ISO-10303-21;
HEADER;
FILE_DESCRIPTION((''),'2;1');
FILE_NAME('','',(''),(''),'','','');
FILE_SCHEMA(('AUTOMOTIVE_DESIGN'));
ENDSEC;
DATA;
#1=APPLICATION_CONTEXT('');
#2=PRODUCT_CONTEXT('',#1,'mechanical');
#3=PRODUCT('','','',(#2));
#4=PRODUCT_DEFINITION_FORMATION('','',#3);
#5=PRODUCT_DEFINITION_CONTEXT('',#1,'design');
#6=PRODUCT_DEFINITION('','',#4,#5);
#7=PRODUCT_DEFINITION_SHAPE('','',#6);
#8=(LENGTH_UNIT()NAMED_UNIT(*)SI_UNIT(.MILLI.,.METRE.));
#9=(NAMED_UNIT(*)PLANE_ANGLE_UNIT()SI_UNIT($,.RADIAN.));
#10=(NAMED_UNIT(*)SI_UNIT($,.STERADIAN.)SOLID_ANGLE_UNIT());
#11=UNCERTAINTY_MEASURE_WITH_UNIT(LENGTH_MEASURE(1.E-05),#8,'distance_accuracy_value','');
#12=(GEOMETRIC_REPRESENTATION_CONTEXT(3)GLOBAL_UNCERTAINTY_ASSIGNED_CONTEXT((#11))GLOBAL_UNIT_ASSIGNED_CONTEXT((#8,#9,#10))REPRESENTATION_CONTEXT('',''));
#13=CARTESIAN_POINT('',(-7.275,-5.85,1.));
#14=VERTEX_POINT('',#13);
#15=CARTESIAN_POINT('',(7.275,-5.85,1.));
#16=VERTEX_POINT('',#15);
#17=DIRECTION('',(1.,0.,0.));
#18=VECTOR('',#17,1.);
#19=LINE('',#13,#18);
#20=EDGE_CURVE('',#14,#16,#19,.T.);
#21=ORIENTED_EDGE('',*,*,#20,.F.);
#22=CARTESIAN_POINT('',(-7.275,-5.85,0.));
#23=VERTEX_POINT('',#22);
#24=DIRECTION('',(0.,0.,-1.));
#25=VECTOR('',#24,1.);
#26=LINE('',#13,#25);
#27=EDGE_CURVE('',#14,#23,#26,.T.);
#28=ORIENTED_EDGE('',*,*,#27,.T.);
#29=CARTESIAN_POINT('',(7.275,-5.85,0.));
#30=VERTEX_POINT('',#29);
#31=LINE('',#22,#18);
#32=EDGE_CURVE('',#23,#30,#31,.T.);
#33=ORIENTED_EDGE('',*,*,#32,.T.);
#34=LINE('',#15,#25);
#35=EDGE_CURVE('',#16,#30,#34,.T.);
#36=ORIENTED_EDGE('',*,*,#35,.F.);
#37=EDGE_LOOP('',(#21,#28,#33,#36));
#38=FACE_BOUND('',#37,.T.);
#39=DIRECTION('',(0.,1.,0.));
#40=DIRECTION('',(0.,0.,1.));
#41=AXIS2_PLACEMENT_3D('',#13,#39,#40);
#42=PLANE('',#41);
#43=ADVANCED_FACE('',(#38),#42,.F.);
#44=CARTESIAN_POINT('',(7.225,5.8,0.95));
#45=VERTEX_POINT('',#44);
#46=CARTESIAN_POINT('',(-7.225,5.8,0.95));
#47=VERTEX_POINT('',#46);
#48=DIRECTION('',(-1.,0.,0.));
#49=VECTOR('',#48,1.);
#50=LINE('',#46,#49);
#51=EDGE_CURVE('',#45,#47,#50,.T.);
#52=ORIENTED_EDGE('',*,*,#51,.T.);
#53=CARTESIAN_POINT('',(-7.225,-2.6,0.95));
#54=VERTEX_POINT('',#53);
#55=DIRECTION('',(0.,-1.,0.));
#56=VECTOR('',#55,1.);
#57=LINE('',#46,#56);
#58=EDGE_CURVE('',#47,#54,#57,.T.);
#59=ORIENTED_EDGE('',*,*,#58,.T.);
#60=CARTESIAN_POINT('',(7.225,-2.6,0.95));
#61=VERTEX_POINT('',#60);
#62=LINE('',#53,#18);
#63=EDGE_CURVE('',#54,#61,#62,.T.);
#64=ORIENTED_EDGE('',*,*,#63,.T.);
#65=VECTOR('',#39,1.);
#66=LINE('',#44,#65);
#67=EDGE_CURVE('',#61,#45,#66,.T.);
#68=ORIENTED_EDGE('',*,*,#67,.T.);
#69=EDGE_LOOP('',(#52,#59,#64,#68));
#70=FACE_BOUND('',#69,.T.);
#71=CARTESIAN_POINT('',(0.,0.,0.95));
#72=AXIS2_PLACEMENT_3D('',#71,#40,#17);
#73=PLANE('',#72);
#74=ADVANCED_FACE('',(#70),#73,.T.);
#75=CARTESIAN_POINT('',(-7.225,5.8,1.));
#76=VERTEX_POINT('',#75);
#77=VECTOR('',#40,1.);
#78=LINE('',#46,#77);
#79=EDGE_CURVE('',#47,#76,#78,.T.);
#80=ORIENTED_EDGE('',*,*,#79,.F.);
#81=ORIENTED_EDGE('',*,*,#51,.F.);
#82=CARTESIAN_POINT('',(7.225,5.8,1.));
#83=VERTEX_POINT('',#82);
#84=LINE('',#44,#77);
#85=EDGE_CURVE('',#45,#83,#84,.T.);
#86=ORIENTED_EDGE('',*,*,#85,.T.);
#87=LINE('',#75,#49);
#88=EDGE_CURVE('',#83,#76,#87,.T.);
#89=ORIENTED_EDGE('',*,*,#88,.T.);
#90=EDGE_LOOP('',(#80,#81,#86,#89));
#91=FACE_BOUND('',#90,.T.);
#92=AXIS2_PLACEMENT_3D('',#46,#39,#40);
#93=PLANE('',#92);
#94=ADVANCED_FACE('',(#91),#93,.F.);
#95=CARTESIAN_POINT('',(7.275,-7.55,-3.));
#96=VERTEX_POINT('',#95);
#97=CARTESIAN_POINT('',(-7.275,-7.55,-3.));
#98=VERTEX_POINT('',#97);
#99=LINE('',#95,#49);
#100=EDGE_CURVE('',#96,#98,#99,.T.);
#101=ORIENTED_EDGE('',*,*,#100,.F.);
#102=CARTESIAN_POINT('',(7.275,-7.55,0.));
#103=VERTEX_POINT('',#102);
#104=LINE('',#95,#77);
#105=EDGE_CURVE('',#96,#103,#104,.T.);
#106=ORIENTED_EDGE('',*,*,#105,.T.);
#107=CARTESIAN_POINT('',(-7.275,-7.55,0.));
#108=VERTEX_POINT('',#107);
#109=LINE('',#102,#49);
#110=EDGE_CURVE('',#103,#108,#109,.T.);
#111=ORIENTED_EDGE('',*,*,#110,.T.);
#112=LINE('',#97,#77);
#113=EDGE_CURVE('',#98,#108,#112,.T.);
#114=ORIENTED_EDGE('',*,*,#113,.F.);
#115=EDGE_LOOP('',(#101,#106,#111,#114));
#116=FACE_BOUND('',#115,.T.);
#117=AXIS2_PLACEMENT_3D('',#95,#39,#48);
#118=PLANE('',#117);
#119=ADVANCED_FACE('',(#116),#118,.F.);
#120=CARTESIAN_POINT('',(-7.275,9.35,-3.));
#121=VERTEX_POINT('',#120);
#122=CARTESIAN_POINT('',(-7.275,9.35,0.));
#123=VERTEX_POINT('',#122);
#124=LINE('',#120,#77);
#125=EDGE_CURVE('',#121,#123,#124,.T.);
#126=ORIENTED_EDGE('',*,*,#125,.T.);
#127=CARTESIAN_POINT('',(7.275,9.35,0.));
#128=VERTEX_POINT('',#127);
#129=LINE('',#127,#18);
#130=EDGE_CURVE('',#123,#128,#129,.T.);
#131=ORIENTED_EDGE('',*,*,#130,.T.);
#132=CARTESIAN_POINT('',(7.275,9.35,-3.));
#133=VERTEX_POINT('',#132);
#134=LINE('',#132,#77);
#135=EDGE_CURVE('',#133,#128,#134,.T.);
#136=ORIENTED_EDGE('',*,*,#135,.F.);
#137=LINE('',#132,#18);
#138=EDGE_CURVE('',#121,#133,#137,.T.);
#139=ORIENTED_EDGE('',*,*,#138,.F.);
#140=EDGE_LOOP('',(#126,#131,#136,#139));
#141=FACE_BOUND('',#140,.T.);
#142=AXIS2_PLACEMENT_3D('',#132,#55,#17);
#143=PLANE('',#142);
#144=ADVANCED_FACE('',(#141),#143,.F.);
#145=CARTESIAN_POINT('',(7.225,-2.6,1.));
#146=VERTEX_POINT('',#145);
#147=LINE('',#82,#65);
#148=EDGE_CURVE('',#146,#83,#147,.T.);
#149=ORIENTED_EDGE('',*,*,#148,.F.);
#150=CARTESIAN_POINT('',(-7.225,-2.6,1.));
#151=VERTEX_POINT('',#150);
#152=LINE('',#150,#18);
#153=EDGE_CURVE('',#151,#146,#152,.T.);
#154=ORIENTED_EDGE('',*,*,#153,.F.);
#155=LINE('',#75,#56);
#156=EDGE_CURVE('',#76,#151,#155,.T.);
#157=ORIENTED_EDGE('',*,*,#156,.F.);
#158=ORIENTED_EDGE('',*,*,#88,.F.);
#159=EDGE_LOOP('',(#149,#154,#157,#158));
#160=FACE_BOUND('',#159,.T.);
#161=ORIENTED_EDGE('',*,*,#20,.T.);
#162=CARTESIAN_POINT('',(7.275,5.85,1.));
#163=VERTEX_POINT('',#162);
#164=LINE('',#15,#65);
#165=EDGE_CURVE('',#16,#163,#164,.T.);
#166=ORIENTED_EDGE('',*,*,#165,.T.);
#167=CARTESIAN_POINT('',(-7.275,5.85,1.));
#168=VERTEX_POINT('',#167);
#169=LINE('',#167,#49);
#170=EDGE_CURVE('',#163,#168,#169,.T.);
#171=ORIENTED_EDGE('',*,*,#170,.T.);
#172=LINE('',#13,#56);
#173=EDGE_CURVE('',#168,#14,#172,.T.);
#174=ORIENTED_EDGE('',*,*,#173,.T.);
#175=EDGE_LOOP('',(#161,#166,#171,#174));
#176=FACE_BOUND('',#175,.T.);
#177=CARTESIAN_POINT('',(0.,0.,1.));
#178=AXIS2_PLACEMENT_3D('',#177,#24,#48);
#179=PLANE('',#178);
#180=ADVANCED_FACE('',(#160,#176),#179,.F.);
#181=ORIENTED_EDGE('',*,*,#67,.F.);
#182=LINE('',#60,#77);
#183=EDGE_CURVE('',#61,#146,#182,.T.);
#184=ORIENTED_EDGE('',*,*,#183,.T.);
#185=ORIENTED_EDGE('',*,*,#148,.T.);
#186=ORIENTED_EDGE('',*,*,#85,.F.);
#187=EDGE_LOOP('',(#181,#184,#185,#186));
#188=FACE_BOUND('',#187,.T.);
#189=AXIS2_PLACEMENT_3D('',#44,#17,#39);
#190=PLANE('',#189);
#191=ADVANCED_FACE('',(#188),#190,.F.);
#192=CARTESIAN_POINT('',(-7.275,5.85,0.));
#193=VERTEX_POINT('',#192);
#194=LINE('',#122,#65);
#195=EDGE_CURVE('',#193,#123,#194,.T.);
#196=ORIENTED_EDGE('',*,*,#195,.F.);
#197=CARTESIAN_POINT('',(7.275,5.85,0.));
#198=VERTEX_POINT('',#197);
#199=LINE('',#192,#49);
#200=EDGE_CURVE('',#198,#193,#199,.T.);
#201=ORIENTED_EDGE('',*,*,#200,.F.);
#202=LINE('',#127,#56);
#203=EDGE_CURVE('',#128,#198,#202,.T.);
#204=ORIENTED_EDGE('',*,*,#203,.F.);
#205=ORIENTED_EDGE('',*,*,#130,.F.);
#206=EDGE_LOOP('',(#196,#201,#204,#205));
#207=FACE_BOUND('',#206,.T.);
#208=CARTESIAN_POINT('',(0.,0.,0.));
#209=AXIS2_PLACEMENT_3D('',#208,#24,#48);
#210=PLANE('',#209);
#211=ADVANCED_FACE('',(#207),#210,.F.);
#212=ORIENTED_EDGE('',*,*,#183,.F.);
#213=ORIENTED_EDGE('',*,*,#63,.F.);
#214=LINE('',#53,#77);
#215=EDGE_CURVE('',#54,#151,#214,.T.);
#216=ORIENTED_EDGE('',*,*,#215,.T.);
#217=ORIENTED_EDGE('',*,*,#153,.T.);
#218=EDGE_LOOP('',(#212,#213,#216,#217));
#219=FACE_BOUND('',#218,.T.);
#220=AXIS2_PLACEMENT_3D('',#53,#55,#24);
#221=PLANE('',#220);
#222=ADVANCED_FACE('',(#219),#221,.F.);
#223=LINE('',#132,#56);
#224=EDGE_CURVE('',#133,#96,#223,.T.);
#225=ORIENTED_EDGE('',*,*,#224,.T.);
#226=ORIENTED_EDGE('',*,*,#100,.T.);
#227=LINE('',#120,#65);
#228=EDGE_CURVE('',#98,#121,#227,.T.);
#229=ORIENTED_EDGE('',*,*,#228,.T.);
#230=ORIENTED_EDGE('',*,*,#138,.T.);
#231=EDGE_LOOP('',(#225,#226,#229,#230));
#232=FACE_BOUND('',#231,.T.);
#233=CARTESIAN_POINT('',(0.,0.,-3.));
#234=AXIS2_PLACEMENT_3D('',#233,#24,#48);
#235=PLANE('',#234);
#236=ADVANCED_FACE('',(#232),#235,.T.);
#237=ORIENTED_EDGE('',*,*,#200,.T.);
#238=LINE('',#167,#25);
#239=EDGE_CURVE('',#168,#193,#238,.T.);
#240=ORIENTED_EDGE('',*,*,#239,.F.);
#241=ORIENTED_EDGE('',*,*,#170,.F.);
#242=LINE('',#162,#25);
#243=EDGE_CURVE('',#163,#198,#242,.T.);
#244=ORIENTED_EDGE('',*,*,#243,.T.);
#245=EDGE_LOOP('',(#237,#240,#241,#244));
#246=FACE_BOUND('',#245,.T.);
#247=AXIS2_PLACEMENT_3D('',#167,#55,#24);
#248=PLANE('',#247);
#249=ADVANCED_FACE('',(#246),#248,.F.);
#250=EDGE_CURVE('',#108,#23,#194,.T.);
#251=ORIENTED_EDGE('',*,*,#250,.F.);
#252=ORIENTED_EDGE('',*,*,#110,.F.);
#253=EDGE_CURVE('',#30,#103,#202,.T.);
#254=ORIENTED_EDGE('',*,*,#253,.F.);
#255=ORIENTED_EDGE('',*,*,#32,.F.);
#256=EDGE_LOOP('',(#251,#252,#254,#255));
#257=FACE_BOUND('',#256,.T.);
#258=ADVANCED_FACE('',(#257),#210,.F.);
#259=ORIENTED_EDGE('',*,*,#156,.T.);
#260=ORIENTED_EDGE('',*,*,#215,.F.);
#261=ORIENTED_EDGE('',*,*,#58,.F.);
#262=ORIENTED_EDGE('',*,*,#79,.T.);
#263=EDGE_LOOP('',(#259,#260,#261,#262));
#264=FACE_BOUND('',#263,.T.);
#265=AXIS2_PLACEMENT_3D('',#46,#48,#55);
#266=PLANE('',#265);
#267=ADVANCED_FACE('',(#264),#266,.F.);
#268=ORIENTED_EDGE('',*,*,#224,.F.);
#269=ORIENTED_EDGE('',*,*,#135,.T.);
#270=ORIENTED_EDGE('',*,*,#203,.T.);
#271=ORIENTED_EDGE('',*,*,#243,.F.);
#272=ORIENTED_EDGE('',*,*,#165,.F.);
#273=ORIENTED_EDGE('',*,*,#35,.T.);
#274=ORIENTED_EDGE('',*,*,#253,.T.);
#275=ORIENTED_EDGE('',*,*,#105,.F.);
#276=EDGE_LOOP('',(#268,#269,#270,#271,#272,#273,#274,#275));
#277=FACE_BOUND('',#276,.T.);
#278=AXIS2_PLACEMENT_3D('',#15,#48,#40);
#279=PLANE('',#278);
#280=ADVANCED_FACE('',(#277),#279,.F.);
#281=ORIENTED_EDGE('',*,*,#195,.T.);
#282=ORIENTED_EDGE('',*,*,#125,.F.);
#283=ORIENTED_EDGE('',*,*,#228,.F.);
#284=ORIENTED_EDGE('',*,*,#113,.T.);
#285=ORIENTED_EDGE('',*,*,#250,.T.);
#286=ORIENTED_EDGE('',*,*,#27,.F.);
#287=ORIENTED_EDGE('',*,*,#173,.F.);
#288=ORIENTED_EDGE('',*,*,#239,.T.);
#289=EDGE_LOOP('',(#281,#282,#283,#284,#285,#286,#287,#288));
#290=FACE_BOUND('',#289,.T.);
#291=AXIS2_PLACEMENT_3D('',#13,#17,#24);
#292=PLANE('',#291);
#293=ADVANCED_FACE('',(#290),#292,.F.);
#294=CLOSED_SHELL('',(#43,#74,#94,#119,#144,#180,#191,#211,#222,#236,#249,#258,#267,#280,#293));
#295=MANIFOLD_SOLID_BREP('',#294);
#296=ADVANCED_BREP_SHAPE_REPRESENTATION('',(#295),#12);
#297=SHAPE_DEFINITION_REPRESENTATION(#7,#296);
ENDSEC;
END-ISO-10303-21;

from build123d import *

# Parameters (mm, degrees)
SKETCH_1_W          = 14.55
SKETCH_1_H          = 11.7
EXTRUDE_1_DEPTH     = 1
SKETCH_2_W          = 14.45
SKETCH_2_H          = 8.4
CUT_EXTRUDE_1_DEPTH = 0.05
SKETCH_3_W          = 14.55
SKETCH_3_H          = 16.9
EXTRUDE_2_DEPTH     = 3


with BuildPart() as part:
    # Эскиз1 → Бобышка-Вытянуть1 (new body)
    with BuildSketch(Plane.XY):
        Rectangle(SKETCH_1_W, SKETCH_1_H)
    extrude(amount=EXTRUDE_1_DEPTH)

    # Эскиз2 → Вырез-Вытянуть1 (cut)
    with BuildSketch(Plane.XY.offset(1)):
        with Locations((0, 1.6)):
            Rectangle(SKETCH_2_W, SKETCH_2_H)
    extrude(amount=-CUT_EXTRUDE_1_DEPTH, mode=Mode.SUBTRACT)

    # Эскиз3 → Бобышка-Вытянуть2 (add)
    with BuildSketch(Plane(origin=(0, 0, 0), x_dir=(-1, 0, 0), z_dir=(0, 0, -1))):
        with Locations((0, 0.9)):
            Rectangle(SKETCH_3_W, SKETCH_3_H)
    extrude(amount=EXTRUDE_2_DEPTH)


solid = part.part
